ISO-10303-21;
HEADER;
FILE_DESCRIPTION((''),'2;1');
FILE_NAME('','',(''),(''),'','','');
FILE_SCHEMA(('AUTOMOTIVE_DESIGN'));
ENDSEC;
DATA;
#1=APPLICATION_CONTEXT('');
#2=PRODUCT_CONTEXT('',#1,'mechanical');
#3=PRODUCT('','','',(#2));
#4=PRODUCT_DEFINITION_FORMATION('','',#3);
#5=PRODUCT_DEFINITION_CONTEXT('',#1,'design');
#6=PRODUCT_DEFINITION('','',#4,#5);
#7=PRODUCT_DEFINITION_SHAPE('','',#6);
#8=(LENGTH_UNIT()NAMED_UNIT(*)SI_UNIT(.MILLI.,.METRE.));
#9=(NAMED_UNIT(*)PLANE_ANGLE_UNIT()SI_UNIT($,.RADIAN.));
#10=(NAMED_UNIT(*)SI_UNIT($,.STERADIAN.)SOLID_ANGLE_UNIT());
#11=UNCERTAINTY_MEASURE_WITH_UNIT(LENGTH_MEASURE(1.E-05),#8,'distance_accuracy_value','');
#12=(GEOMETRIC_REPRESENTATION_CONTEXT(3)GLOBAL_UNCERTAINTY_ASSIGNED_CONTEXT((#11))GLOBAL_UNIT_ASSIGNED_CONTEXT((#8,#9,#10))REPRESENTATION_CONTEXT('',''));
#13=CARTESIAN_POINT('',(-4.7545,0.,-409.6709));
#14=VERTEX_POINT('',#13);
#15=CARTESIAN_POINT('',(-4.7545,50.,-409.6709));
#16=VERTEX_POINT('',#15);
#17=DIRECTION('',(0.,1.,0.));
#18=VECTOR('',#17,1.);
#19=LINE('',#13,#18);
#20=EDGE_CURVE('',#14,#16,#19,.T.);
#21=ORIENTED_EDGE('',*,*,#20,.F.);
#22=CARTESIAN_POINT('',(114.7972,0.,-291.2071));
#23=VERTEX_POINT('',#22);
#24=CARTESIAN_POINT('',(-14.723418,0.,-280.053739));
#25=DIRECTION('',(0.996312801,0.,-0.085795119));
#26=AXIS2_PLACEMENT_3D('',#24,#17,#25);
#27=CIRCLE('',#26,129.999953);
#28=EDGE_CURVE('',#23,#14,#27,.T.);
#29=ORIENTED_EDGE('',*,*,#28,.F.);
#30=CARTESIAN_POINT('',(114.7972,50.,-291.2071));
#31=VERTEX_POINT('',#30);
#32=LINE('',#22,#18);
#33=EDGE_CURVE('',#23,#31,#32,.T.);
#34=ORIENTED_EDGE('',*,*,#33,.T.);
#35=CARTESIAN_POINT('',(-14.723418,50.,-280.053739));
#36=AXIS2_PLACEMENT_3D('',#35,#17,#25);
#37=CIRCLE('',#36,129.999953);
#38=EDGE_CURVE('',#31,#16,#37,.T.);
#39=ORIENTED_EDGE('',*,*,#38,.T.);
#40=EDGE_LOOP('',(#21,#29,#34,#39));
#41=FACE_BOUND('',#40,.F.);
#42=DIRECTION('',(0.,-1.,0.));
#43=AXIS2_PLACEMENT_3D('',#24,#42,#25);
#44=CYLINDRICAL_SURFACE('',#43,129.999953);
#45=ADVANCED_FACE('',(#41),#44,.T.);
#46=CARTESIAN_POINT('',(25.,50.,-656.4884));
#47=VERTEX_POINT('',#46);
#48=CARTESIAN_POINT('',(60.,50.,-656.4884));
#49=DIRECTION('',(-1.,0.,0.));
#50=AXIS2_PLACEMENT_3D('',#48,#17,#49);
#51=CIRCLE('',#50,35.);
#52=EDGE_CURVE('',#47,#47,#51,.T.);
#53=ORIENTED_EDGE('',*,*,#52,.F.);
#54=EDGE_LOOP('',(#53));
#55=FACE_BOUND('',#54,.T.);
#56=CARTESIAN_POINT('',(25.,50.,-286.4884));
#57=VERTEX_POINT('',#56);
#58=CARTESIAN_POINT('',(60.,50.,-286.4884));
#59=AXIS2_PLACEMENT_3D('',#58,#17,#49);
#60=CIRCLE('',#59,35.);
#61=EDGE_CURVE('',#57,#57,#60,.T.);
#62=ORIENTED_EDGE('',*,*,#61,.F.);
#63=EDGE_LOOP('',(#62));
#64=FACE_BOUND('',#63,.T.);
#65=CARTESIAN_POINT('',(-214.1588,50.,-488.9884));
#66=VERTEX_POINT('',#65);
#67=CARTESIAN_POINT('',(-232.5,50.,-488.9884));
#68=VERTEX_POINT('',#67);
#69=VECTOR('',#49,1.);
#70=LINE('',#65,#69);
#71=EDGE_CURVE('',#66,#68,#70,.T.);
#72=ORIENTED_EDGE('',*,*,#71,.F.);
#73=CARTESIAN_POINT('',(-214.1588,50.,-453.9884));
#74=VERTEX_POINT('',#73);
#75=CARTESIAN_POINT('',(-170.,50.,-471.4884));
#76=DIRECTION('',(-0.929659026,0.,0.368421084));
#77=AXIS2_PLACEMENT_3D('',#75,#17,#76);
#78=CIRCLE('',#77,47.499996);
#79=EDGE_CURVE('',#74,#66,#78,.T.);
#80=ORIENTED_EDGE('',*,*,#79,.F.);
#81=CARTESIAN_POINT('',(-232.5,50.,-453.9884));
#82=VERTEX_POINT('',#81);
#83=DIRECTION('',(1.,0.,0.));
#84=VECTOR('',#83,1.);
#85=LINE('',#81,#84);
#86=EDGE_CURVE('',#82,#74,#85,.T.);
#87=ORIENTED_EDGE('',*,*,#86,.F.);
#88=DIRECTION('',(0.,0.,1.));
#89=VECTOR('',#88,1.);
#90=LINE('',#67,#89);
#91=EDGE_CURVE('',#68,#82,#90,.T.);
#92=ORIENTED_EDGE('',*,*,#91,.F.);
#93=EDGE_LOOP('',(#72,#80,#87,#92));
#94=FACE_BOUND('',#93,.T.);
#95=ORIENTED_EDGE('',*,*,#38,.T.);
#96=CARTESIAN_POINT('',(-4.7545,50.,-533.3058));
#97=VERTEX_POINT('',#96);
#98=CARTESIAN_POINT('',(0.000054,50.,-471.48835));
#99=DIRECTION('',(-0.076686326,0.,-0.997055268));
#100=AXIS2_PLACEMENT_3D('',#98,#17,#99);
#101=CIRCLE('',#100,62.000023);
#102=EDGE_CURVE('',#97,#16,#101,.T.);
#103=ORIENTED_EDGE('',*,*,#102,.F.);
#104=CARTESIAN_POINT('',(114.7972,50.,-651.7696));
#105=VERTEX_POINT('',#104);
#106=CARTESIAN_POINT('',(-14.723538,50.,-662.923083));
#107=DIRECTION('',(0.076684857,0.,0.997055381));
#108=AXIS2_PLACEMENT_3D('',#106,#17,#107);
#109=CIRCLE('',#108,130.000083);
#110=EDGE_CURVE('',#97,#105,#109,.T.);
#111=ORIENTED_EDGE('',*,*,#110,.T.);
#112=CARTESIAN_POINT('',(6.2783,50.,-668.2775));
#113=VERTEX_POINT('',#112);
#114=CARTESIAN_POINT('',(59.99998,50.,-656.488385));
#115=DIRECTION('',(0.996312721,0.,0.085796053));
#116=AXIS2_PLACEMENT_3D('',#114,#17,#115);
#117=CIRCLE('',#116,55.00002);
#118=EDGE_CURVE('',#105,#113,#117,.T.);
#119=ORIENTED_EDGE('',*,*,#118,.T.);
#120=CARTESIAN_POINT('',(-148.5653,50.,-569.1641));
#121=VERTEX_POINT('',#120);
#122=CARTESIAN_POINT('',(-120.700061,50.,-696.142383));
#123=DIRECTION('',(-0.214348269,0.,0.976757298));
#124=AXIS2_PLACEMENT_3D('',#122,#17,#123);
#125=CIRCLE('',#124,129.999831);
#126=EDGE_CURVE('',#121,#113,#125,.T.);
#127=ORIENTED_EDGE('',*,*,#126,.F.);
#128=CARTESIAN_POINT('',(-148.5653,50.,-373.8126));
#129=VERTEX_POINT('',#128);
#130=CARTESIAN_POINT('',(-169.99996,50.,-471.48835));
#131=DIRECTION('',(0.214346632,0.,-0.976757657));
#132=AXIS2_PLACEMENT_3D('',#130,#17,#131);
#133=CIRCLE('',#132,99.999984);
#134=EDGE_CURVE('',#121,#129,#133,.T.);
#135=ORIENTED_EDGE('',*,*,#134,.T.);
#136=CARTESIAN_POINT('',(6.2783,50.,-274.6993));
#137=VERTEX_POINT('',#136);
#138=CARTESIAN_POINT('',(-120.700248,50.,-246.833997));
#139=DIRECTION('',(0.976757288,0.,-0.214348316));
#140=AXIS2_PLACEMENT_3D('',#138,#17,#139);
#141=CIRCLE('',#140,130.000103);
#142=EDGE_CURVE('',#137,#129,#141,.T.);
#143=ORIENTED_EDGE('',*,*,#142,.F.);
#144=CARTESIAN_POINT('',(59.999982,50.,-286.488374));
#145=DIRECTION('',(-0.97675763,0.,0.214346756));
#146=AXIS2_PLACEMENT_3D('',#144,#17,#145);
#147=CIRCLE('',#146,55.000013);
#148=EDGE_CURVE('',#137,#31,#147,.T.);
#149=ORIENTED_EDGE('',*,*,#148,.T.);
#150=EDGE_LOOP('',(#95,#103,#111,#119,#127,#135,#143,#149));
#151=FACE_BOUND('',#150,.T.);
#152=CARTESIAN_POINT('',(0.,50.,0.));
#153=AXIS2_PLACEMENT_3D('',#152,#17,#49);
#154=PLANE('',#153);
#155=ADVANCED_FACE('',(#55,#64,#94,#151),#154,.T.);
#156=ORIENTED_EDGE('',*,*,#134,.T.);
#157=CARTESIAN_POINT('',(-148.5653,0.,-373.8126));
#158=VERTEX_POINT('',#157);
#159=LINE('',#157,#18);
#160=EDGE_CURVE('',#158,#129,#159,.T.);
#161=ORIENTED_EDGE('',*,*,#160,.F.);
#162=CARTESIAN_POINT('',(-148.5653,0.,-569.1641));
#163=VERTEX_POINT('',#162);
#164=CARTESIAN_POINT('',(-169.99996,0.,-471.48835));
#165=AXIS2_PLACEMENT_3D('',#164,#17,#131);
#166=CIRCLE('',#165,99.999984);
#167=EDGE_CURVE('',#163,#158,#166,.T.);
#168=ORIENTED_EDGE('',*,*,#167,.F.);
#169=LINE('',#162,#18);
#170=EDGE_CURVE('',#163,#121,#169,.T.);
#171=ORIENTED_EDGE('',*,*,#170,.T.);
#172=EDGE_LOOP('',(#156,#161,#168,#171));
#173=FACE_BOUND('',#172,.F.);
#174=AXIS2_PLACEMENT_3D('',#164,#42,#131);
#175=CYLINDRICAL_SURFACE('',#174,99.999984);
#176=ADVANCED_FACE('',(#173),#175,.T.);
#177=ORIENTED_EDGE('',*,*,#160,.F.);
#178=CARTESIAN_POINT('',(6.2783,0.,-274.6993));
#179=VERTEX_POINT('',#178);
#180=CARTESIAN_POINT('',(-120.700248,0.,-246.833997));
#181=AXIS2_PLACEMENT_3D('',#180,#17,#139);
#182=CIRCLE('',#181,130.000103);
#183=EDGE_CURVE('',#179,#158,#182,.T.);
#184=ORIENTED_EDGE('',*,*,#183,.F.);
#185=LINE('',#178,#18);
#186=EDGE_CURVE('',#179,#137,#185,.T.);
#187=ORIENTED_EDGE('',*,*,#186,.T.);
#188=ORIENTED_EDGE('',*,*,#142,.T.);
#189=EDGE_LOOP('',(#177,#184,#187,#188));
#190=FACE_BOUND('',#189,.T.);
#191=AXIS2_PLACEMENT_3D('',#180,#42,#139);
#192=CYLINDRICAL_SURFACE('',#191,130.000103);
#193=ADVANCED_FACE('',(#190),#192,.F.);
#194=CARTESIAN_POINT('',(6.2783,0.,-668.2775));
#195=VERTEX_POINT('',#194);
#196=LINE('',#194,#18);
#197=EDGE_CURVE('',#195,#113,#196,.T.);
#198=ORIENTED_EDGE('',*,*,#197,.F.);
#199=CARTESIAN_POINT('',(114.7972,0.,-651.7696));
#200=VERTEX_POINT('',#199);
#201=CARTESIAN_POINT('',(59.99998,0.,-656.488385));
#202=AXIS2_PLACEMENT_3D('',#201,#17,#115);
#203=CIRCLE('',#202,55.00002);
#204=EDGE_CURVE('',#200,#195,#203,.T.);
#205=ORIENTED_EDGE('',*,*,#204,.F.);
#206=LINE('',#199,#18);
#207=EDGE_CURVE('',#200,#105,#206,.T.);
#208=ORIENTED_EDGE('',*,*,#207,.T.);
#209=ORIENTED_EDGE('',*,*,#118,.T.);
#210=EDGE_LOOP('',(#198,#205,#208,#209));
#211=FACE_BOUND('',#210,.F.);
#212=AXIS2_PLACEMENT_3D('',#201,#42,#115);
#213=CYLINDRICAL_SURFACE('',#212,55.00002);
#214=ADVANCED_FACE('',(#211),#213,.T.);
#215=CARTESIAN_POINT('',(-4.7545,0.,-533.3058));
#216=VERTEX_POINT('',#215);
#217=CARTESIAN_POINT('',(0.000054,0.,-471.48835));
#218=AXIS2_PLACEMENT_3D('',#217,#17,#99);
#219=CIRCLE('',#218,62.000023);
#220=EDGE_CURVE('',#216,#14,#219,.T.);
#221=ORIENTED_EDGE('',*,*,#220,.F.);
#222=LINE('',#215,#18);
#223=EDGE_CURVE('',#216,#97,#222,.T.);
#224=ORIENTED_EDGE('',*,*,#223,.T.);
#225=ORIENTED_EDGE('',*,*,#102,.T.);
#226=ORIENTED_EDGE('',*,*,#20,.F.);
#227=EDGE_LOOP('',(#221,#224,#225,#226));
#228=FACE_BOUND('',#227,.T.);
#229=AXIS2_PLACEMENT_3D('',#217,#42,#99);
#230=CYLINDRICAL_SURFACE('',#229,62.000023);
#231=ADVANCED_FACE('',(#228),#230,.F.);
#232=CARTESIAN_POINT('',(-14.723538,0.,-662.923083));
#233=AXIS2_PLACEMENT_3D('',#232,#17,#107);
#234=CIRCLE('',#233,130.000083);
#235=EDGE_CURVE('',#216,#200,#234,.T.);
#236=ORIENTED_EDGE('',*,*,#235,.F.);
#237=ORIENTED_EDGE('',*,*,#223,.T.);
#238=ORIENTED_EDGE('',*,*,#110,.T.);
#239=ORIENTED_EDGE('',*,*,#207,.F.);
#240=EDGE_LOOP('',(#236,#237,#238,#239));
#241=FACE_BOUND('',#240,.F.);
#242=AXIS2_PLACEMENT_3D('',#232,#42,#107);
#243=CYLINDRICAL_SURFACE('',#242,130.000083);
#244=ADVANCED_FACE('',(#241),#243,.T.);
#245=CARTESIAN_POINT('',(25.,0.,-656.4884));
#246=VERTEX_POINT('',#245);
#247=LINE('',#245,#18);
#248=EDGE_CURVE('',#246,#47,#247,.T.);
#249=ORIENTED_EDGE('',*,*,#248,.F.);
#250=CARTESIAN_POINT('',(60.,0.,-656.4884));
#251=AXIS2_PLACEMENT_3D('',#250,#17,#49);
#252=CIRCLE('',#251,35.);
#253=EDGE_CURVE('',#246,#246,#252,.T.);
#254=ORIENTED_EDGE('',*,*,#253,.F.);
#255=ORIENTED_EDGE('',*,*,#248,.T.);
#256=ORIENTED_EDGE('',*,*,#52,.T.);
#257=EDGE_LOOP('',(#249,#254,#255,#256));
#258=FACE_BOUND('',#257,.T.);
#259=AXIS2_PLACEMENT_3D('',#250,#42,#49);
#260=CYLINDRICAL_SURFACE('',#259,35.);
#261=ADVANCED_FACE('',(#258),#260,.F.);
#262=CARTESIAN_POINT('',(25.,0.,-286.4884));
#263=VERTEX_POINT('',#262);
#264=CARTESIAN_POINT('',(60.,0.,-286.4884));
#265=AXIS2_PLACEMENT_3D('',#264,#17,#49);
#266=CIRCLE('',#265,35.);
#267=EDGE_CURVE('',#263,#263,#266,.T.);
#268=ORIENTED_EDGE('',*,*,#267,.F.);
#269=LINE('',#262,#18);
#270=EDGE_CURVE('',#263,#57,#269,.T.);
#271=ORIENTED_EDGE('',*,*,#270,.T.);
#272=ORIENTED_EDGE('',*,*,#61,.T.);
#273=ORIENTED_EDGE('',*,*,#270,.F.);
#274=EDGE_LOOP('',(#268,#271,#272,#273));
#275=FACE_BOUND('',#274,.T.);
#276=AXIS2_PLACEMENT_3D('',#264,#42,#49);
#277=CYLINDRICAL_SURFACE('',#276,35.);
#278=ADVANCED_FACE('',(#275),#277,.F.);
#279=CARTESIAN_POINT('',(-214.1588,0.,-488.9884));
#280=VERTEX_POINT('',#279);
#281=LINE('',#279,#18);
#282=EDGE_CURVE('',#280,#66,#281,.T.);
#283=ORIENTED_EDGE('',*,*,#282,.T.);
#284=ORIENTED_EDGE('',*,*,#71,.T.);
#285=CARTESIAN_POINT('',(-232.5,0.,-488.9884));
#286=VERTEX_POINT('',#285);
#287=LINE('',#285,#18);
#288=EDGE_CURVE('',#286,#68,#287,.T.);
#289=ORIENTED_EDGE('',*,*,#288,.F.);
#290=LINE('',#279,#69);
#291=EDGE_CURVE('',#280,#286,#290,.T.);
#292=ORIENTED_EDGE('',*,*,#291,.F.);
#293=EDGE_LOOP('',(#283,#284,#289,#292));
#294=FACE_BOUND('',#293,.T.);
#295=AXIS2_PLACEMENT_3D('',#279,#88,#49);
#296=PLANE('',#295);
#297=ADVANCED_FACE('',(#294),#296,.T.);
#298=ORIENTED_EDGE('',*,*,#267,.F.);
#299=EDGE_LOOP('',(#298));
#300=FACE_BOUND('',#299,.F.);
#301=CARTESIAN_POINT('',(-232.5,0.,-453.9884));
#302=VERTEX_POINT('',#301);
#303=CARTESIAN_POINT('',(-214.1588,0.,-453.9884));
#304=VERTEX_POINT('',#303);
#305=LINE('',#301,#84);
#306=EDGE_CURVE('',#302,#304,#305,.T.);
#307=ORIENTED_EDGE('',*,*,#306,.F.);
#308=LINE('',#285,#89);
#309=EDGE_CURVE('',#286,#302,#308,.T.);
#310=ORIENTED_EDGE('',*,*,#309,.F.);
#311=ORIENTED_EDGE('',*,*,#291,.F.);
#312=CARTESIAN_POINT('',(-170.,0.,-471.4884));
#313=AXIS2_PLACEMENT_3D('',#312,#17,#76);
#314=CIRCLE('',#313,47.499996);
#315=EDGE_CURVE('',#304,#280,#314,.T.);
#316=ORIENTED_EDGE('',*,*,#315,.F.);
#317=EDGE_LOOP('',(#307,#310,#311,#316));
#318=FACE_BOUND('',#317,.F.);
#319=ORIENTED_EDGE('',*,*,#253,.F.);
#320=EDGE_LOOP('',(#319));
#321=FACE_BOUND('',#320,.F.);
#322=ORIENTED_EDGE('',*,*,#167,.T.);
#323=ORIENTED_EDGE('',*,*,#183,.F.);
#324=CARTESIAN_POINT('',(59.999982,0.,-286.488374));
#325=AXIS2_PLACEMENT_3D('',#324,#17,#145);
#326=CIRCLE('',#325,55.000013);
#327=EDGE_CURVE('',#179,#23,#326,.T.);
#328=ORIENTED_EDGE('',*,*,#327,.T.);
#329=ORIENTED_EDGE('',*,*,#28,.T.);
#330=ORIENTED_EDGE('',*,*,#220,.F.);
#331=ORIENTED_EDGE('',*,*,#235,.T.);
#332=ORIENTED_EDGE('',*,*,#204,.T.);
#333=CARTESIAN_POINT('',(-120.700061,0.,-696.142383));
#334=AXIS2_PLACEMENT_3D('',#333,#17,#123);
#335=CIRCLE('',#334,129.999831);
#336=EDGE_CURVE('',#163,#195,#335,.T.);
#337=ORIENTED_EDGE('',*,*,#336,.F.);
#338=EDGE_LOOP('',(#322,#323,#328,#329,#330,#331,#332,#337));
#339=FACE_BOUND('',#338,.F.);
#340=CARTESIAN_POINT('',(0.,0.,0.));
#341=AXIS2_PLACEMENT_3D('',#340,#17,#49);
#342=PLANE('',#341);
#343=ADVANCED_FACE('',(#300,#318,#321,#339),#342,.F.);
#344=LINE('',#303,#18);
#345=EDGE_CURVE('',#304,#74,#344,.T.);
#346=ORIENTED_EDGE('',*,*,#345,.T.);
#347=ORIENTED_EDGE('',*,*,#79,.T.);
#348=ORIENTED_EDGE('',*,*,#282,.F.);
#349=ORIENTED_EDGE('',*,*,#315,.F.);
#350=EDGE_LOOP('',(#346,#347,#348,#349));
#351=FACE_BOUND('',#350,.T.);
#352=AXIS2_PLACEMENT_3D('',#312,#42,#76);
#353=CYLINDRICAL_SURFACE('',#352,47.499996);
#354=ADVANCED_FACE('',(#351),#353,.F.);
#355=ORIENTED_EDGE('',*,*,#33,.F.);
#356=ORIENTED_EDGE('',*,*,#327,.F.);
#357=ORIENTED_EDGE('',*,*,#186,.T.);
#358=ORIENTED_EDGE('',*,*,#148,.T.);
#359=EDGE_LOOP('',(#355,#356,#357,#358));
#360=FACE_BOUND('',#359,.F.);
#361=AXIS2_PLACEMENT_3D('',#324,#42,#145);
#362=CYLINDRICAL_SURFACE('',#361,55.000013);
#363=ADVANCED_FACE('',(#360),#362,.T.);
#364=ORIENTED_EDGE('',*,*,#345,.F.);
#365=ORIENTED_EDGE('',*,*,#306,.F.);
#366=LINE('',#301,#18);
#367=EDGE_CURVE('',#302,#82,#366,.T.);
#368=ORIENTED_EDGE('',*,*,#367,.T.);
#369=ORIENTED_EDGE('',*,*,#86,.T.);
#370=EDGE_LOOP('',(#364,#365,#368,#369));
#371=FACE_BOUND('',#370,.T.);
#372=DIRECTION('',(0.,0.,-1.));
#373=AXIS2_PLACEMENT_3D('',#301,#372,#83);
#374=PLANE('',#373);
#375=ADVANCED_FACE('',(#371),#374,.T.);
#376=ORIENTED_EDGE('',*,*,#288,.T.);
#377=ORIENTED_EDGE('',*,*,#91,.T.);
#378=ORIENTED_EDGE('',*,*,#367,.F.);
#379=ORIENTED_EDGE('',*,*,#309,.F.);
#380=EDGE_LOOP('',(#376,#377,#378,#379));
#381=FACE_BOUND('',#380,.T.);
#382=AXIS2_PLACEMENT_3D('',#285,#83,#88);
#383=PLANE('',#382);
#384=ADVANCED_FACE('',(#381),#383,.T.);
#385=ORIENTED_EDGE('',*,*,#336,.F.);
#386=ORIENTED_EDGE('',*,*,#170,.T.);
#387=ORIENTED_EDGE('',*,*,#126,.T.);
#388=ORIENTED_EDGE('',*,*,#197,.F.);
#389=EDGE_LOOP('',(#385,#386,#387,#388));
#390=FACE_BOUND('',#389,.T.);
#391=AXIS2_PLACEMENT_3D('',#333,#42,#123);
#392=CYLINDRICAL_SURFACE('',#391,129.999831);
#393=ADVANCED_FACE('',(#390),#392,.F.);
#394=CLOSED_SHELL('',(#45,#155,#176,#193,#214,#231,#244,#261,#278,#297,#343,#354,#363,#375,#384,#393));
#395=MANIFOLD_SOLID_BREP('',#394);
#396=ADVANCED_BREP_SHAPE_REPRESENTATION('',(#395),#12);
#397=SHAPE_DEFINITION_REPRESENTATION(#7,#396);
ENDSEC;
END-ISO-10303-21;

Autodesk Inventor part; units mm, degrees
ref_plane "YZ Plane" through (0, 0, 0) normal (1, 0, 0) x (0, 1, 0)
ref_plane "XZ Plane" through (0, 0, 0) normal (0, 1, 0) x (-1, 0, 0)
ref_plane "XY Plane" through (0, 0, 0) normal (0, 0, 1) x (1, 0, 0)
sketch "Sketch1" plane through (0, 0, 0) normal (0, 1, 0) x (-1, 0, 0)
  arc A0 (148.5653, -569.1641) -> (148.5653, -373.8126) centre (170, -471.4884) ccw
  arc A1 (4.7545, -533.3058) -> (4.7545, -409.6709) centre (0, -471.4884) ccw
  arc A2 (-6.2783, -274.6993) -> (-114.7972, -291.2071) centre (-60, -286.4884) ccw
  arc A3 (-114.7972, -651.7696) -> (-6.2783, -668.2775) centre (-60, -656.4884) ccw
  arc A4 (-6.2783, -274.6993) -> (148.5653, -373.8126) centre (120.7001, -246.8341) ccw
  arc A5 (148.5653, -569.1641) -> (-6.2783, -668.2775) centre (120.7001, -696.1426) ccw
  arc A6 (-114.7972, -291.2071) -> (4.7545, -409.6709) centre (14.7235, -280.0537) ccw
  arc A7 (4.7545, -533.3058) -> (-114.7972, -651.7696) centre (14.7235, -662.923) ccw
  circle A8 centre (-60, -286.4884) radius 35
  arc A9 (214.1588, -453.9884) -> (214.1588, -488.9884) centre (170, -471.4884) ccw
  circle A10 centre (-60, -656.4884) radius 35
  line L0 (232.5, -453.9884) -> (214.1588, -453.9884)
  line L1 (214.1588, -488.9884) -> (232.5, -488.9884)
  line L2 (232.5, -488.9884) -> (232.5, -453.9884)
  point P0 (0, 0)
  dimension "d0" = 200
  dimension "d1" = 124
  dimension "d2" = 170
  dimension "d3" = 110
  dimension "d4" = 110
  dimension "d5" = 370
  dimension "d6" = 185
  dimension "d7" = 260
  dimension "d8" = 230
  dimension "d9" = 0
  dimension "d10" = 260
  dimension "d11" = 0
  dimension "d12" = 260
  dimension "d13" = 260
  dimension "d14" = 70
  dimension "d15" = 70
  dimension "d16" = 95
  dimension "d17" = 35
  dimension "d18" = 17.5
  dimension "d19" = 62.5
extrude "Extrusion1" add sketch "Sketch1" along normal blind 50
equation "\"d4\" = d3"
equation "\"d6\" = 0.5 * d5"
equation "\"d10\" = d7"
equation "\"d18\" = 0.5 * d17"
